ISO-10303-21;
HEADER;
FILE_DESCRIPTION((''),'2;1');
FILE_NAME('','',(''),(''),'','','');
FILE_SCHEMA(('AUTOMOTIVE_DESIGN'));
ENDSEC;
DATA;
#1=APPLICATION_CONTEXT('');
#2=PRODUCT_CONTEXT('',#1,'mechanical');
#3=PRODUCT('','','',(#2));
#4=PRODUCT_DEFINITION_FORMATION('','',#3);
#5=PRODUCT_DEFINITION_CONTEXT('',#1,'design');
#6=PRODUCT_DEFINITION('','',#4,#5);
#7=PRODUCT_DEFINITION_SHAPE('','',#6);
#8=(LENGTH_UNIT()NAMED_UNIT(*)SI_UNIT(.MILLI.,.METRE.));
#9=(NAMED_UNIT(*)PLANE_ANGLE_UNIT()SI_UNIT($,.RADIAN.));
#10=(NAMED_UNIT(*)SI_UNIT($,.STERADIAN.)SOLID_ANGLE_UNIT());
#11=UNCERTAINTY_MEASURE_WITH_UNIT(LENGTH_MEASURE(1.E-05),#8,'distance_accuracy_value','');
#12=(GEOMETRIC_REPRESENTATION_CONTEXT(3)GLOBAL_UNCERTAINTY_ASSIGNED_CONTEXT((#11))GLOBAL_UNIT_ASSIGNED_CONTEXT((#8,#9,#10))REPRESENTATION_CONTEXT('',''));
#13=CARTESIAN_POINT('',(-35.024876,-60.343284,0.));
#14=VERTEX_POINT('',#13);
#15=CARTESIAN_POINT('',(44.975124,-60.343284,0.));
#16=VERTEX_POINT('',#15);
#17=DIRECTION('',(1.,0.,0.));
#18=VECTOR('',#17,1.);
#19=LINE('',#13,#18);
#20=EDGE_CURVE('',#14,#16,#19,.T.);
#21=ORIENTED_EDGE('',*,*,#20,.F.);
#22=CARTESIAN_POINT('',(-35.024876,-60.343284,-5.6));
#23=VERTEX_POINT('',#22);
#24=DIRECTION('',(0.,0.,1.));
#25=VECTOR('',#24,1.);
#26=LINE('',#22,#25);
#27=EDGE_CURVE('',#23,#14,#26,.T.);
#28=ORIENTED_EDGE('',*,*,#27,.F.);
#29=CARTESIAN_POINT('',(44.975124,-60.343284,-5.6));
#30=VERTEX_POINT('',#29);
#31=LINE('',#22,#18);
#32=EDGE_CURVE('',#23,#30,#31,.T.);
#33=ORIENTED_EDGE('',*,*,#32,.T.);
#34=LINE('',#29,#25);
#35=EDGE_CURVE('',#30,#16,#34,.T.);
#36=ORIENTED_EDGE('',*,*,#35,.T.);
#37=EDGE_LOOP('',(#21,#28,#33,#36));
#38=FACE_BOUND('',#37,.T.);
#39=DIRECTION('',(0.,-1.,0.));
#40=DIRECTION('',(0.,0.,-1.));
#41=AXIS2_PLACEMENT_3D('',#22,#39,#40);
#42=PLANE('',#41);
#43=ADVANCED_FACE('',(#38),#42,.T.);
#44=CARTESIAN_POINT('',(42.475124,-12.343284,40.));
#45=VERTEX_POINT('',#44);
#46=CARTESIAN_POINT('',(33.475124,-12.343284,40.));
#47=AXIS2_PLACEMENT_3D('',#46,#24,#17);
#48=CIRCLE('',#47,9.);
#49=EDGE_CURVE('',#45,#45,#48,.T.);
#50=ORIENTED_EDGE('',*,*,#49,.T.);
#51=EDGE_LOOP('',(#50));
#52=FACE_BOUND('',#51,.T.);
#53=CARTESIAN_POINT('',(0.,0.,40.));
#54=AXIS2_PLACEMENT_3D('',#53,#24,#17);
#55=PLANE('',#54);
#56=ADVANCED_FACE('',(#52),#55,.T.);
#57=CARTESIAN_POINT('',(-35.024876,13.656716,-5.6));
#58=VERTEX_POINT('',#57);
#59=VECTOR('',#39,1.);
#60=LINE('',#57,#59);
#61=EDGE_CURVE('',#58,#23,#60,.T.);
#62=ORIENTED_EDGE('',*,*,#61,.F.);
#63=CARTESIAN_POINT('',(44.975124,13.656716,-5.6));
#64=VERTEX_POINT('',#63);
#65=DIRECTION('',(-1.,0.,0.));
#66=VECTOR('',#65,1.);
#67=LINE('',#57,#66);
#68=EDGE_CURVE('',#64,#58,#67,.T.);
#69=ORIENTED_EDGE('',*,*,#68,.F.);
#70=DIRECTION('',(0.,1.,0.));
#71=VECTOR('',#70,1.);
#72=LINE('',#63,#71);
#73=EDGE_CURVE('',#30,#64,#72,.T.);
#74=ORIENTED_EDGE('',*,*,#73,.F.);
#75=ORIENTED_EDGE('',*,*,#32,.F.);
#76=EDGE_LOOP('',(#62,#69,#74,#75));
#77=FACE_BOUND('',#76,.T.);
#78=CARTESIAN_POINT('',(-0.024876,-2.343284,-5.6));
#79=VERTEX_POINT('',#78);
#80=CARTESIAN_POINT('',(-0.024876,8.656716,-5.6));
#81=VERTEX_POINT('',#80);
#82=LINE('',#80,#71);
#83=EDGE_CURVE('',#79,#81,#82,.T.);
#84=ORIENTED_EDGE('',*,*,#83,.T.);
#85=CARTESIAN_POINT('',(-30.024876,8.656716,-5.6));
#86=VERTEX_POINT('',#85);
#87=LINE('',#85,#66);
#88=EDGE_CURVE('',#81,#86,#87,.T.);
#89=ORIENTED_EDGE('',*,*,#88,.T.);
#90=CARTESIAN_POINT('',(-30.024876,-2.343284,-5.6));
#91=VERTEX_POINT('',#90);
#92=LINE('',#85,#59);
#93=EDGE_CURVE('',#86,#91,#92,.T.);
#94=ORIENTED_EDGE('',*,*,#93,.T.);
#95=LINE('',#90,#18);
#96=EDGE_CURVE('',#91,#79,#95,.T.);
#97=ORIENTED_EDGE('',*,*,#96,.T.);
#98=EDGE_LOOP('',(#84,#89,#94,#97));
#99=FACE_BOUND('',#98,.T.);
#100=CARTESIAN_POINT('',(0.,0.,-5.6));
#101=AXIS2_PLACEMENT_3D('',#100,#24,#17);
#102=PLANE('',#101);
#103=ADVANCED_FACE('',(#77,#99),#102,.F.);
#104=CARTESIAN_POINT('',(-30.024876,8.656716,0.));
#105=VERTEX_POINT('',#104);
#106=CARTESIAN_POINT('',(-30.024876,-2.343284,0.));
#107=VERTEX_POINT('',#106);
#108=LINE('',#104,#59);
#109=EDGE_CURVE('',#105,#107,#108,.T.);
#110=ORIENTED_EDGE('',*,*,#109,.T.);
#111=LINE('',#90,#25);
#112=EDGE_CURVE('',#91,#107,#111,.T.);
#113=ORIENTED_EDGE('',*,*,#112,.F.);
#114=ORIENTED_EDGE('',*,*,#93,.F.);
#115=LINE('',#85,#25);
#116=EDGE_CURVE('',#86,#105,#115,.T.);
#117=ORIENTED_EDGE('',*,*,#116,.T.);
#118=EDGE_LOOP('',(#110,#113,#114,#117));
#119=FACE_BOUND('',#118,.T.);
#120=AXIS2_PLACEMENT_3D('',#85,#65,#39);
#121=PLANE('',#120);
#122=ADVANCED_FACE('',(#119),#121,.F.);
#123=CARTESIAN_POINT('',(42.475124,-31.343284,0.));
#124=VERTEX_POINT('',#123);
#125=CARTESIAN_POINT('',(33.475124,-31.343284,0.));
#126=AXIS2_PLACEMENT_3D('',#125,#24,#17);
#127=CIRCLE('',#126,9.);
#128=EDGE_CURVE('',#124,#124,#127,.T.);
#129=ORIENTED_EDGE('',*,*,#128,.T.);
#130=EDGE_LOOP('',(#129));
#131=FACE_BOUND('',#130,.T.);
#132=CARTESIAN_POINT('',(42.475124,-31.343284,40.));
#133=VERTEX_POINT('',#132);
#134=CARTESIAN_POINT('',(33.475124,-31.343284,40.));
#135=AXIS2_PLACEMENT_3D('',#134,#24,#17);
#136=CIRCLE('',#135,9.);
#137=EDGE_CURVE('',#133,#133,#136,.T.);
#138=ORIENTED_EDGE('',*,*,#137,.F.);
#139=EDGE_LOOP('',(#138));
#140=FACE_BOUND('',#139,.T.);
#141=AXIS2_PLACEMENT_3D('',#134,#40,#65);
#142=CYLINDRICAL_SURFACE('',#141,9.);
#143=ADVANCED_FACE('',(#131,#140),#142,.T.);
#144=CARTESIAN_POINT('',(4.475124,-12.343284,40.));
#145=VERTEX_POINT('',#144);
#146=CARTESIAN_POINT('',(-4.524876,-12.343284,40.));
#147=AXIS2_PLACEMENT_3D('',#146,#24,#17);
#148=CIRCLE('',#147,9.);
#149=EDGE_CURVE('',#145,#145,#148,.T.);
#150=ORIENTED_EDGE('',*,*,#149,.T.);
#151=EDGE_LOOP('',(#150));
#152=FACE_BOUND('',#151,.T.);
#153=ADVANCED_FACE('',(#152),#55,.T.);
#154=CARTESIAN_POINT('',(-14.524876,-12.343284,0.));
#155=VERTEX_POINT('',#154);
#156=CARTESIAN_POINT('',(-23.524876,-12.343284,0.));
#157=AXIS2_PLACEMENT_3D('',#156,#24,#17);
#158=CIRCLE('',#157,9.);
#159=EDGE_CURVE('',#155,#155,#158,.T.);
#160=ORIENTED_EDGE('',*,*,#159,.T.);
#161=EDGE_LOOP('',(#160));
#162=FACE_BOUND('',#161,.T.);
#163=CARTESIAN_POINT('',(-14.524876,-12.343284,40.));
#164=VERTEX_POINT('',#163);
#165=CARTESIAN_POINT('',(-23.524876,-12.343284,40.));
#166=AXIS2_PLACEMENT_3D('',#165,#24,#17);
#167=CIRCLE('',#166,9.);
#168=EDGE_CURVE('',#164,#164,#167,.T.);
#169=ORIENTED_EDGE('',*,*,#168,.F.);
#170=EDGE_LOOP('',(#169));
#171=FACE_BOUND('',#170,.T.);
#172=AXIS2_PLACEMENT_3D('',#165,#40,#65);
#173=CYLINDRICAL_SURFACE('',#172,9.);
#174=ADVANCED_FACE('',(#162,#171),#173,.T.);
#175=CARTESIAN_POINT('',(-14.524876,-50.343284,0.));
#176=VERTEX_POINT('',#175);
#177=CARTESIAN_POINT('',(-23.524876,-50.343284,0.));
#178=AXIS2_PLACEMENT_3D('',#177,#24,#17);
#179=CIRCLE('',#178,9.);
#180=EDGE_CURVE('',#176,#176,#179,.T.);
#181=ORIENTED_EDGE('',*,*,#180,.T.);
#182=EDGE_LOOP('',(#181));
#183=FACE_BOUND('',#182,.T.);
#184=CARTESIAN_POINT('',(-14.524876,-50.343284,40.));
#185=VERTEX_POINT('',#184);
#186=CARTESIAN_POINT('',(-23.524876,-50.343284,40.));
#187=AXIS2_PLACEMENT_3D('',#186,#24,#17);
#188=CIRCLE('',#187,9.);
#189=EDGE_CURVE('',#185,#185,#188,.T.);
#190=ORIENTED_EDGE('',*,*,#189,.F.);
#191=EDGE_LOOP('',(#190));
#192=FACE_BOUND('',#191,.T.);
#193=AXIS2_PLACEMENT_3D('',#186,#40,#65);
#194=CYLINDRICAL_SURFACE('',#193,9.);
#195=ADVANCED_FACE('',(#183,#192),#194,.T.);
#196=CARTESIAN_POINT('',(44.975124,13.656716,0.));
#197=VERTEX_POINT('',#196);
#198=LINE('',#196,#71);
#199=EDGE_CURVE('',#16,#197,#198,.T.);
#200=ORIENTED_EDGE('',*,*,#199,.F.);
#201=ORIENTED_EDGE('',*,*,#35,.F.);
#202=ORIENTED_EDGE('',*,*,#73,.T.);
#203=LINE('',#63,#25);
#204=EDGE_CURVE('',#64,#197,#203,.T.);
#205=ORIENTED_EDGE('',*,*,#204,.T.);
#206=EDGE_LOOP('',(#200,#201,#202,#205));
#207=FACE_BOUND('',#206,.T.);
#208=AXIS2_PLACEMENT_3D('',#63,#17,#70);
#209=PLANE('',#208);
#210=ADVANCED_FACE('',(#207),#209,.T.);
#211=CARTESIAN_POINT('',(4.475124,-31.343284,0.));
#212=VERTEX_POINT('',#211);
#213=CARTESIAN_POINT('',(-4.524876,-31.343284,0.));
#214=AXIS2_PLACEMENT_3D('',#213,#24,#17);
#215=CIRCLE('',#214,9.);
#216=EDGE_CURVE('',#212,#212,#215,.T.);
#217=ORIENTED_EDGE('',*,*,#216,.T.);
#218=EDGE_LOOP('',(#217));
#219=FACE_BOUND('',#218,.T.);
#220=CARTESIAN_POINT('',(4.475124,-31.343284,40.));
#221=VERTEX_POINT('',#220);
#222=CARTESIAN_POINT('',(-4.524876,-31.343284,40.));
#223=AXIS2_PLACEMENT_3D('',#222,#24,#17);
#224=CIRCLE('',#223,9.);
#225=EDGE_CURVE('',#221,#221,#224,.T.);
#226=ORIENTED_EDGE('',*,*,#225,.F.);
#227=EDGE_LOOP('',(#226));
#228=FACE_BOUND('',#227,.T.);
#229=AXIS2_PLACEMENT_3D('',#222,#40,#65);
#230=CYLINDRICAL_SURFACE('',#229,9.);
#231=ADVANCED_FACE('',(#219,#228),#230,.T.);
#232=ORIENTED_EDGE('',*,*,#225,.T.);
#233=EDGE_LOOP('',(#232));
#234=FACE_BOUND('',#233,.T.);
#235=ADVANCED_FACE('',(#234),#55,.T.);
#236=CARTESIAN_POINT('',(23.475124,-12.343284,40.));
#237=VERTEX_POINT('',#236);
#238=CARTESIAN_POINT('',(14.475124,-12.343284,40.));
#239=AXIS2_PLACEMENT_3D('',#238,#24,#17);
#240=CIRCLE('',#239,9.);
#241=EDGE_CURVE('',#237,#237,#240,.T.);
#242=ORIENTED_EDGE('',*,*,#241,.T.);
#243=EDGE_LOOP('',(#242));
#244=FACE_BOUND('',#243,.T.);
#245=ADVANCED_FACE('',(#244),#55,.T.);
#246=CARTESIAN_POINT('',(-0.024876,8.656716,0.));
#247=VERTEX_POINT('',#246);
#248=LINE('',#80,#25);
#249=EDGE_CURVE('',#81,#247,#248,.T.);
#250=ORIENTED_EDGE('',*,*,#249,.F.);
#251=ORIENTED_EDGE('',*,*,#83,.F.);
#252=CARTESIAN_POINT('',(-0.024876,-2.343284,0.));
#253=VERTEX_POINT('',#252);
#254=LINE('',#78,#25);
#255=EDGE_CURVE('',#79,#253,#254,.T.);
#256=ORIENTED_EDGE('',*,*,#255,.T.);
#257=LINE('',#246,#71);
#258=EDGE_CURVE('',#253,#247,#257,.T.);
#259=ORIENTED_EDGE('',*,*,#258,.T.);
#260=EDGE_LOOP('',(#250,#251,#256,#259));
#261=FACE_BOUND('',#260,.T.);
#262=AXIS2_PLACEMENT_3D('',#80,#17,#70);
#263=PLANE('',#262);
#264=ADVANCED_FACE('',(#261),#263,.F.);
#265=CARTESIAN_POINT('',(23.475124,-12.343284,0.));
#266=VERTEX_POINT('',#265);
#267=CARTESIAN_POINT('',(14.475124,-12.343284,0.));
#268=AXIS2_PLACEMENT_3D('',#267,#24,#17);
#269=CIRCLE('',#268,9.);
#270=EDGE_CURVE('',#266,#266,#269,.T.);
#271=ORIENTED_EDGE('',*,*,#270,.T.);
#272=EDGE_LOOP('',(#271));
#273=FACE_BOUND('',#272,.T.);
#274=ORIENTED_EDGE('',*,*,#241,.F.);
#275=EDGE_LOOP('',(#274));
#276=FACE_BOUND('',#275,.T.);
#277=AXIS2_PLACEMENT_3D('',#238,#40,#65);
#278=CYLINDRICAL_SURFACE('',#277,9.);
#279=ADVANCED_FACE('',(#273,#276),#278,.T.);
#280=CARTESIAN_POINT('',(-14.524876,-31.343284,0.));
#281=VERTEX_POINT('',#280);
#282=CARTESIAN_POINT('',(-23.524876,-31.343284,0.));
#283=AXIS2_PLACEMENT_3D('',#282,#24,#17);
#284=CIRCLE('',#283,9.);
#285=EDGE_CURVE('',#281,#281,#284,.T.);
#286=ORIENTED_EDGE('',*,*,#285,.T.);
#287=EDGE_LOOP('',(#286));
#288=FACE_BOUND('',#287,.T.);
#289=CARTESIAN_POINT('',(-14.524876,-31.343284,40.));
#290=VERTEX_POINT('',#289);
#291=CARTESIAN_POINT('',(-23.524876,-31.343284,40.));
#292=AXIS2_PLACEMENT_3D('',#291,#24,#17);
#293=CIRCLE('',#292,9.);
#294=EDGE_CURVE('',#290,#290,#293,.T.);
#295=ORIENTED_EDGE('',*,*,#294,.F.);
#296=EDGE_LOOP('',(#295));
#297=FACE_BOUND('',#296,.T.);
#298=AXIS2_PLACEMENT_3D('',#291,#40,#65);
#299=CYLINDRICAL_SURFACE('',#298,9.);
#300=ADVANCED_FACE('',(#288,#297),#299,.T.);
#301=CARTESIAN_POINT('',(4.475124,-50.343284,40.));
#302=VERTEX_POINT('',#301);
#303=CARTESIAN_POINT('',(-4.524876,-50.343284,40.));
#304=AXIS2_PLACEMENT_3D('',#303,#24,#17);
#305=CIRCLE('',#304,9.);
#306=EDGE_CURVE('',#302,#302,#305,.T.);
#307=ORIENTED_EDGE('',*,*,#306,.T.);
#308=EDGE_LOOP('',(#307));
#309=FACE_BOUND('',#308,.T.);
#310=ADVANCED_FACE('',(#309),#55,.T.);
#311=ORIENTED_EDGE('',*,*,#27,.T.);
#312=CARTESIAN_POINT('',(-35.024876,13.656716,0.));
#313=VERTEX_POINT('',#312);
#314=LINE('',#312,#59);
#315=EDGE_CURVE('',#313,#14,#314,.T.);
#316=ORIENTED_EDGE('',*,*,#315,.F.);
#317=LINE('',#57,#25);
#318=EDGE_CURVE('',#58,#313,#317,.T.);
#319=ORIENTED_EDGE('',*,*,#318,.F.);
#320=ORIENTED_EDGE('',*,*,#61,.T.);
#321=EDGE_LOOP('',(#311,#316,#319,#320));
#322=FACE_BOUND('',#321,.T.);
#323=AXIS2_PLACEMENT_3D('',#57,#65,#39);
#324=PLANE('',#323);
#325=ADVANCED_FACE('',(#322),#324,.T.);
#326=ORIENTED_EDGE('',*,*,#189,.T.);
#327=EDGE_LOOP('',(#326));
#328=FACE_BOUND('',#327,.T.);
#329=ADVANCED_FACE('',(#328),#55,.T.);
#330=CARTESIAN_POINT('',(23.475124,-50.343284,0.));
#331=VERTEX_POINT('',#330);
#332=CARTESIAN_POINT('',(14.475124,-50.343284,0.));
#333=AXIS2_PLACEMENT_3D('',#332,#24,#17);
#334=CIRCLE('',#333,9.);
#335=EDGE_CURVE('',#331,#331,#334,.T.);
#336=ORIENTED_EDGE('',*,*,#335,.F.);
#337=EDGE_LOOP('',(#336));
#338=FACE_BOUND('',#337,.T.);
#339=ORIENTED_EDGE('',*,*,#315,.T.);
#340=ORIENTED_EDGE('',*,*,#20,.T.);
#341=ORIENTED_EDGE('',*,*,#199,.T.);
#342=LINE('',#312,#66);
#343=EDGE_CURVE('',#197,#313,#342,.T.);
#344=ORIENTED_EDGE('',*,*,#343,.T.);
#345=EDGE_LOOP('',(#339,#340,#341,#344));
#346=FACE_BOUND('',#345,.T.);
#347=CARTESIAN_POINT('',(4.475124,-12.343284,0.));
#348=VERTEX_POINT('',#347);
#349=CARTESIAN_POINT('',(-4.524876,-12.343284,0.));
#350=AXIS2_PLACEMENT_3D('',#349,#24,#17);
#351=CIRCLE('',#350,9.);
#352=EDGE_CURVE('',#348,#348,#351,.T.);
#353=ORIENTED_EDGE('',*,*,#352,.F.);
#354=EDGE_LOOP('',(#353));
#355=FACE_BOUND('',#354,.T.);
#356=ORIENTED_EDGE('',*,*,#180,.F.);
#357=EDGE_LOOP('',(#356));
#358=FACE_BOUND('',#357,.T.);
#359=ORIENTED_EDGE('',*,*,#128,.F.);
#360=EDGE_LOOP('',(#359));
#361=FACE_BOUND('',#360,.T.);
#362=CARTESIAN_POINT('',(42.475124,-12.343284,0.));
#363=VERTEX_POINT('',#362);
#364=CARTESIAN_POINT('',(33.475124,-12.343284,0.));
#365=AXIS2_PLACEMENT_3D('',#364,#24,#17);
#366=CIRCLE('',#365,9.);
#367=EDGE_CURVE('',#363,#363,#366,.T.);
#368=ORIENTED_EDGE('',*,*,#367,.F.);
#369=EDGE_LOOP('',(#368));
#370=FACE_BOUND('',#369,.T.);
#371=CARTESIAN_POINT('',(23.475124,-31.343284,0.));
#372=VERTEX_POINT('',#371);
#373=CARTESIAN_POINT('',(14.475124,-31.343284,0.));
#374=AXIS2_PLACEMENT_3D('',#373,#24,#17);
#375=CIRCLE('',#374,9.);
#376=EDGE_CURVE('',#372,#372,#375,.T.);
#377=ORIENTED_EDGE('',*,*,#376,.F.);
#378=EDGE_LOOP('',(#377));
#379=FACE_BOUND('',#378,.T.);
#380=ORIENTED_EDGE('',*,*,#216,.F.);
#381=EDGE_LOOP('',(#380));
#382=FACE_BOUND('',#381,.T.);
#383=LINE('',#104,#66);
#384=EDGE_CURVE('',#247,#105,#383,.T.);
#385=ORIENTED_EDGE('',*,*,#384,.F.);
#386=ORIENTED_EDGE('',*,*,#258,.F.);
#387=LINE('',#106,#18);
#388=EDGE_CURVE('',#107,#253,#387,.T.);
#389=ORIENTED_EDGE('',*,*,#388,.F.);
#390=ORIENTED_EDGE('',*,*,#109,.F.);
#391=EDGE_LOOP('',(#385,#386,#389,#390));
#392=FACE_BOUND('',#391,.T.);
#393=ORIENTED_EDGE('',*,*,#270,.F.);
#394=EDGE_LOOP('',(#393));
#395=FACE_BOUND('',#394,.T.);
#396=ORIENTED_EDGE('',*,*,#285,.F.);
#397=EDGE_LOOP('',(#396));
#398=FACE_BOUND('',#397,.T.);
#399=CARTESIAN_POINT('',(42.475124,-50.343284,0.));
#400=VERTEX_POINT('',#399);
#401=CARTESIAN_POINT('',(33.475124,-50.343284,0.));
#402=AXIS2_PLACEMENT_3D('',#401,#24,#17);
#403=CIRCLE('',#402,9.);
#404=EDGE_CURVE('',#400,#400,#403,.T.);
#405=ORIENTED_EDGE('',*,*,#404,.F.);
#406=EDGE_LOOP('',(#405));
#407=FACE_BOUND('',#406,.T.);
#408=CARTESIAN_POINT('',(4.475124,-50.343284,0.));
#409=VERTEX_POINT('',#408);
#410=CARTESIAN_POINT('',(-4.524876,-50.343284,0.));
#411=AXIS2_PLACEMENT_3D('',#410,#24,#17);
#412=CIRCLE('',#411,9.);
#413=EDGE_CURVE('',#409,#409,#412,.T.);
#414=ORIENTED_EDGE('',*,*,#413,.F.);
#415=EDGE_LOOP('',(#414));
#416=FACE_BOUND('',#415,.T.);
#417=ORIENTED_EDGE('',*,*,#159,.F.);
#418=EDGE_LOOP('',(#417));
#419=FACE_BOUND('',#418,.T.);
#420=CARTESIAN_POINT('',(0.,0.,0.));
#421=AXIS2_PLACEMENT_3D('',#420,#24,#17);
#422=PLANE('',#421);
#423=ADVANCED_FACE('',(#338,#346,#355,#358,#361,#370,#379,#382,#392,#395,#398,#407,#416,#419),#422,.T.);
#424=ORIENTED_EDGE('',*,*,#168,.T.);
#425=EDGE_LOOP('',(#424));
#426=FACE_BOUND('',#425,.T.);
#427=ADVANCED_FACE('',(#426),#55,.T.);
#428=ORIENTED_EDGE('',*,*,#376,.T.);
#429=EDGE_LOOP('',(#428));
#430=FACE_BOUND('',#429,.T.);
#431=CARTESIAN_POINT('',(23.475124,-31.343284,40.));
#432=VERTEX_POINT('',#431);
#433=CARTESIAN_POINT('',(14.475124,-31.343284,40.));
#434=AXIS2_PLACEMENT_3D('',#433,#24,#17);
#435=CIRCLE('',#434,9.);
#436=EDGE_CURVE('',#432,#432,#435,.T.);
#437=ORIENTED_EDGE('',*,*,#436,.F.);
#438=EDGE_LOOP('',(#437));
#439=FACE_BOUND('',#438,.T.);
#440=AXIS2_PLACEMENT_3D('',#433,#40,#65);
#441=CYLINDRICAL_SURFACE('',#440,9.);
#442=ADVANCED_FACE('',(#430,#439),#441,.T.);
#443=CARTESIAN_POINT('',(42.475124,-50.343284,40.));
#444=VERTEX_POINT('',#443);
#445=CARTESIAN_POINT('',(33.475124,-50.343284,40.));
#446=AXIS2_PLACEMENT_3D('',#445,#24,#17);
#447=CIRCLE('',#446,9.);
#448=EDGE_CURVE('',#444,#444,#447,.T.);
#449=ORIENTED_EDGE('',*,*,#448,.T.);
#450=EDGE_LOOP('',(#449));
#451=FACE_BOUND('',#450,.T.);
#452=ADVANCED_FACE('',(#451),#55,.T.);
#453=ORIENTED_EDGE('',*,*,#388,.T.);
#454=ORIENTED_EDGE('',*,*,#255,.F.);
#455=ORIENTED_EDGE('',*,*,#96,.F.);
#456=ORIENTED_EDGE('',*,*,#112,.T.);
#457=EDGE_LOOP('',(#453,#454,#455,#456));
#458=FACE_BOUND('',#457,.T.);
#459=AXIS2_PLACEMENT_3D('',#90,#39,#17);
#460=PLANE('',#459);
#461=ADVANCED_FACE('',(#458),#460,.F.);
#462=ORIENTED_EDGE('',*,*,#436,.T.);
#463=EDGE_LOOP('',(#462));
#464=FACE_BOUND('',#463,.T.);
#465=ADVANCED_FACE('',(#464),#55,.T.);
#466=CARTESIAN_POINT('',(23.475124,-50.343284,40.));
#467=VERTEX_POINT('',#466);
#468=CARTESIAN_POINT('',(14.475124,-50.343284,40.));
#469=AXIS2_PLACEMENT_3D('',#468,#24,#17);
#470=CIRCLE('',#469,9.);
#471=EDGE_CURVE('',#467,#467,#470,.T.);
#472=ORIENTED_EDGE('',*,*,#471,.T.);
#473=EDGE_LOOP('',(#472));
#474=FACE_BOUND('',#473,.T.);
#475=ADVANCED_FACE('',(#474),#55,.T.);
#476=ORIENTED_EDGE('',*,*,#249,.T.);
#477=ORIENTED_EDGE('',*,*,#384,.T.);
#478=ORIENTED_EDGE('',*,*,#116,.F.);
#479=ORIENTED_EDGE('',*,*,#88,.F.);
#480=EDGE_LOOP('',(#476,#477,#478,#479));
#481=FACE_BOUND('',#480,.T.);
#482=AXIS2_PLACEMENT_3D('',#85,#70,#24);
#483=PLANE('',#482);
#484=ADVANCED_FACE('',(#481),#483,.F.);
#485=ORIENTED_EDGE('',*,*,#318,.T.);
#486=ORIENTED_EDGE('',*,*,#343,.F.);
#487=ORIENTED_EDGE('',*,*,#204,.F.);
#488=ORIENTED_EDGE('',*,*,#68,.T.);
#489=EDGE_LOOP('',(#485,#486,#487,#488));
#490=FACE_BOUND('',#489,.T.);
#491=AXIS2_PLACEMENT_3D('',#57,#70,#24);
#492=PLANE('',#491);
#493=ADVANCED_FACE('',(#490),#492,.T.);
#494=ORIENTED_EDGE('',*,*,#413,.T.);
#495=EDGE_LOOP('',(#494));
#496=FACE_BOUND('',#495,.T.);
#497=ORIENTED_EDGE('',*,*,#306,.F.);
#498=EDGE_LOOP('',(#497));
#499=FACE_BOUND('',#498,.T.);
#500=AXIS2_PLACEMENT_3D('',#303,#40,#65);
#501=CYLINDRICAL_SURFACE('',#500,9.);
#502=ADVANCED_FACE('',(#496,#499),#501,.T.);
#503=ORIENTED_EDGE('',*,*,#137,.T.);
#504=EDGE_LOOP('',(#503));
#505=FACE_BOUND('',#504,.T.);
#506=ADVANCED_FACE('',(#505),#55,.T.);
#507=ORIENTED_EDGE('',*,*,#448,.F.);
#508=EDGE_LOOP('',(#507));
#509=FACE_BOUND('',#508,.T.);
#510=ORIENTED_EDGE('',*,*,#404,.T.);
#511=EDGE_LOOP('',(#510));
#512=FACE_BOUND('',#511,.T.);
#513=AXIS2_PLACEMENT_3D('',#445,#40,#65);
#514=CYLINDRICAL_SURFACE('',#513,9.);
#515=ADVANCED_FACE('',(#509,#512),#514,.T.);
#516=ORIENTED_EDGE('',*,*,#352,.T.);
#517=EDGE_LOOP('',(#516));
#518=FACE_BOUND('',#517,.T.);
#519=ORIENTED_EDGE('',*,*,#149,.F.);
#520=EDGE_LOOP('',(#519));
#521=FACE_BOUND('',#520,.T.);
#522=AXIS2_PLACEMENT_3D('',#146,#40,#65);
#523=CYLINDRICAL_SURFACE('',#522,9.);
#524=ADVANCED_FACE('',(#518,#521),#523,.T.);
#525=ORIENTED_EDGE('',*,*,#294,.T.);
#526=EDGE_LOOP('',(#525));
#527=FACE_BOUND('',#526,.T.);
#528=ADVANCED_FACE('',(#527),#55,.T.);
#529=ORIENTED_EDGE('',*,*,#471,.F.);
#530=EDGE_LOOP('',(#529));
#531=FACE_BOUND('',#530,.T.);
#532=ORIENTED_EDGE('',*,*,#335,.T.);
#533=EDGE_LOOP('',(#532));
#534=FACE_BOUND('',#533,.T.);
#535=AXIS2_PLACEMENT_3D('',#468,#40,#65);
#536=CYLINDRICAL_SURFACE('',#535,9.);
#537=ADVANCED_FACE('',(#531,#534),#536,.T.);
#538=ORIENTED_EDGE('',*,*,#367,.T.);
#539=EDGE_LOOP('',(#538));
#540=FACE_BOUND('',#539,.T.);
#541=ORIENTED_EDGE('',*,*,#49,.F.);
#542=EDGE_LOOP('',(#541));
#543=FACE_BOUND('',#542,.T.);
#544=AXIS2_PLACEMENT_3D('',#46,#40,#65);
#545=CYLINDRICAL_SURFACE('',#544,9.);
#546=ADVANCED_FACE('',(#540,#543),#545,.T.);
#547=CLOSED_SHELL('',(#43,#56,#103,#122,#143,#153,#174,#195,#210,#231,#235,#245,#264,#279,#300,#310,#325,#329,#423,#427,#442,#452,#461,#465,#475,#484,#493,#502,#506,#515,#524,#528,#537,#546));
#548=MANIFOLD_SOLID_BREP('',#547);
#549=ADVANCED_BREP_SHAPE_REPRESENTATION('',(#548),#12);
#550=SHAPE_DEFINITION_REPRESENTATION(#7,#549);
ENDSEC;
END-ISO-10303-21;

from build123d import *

# Parameters (mm, degrees)
SKETCH_1_W      = 80
SKETCH_1_H      = 74
SKETCH_1_W_2    = 30
SKETCH_1_H_2    = 11
EXTRUDE_1_DEPTH = 5.6
SKETCH_2_R      = 9
EXTRUDE_2_DEPTH = 40


with BuildPart() as part:
    # 草图1 → 凸台-拉伸1 (new body)
    with BuildSketch(Plane.XY):
        with Locations((4.975124378, -23.343283582)):
            Rectangle(SKETCH_1_W, SKETCH_1_H)
        with Locations((-15.024875622, 3.156716418)):
            Rectangle(SKETCH_1_W_2, SKETCH_1_H_2, mode=Mode.SUBTRACT)
    extrude(amount=-EXTRUDE_1_DEPTH)

    # 草图2 → 凸台-拉伸2 (add)
    with BuildSketch(Plane.XY):
        with Locations((-23.524875622, -50.343283582)):
            Circle(SKETCH_2_R)
        with Locations((-4.524875622, -50.343283582)):
            Circle(SKETCH_2_R)
        with Locations((14.475124378, -50.343283582)):
            Circle(SKETCH_2_R)
        with Locations((33.475124378, -50.343283582)):
            Circle(SKETCH_2_R)
        with Locations((-4.524875622, -31.343283582)):
            Circle(SKETCH_2_R)
        with Locations((14.475124378, -31.343283582)):
            Circle(SKETCH_2_R)
        with Locations((33.475124378, -31.343283582)):
            Circle(SKETCH_2_R)
        with Locations((-4.524875622, -12.343283582)):
            Circle(SKETCH_2_R)
        with Locations((14.475124378, -12.343283582)):
            Circle(SKETCH_2_R)
        with Locations((33.475124378, -12.343283582)):
            Circle(SKETCH_2_R)
        with Locations((-23.524875622, -31.343283582)):
            Circle(SKETCH_2_R)
        with Locations((-23.524875622, -12.343283582)):
            Circle(SKETCH_2_R)
    extrude(amount=EXTRUDE_2_DEPTH)


solid = part.part
